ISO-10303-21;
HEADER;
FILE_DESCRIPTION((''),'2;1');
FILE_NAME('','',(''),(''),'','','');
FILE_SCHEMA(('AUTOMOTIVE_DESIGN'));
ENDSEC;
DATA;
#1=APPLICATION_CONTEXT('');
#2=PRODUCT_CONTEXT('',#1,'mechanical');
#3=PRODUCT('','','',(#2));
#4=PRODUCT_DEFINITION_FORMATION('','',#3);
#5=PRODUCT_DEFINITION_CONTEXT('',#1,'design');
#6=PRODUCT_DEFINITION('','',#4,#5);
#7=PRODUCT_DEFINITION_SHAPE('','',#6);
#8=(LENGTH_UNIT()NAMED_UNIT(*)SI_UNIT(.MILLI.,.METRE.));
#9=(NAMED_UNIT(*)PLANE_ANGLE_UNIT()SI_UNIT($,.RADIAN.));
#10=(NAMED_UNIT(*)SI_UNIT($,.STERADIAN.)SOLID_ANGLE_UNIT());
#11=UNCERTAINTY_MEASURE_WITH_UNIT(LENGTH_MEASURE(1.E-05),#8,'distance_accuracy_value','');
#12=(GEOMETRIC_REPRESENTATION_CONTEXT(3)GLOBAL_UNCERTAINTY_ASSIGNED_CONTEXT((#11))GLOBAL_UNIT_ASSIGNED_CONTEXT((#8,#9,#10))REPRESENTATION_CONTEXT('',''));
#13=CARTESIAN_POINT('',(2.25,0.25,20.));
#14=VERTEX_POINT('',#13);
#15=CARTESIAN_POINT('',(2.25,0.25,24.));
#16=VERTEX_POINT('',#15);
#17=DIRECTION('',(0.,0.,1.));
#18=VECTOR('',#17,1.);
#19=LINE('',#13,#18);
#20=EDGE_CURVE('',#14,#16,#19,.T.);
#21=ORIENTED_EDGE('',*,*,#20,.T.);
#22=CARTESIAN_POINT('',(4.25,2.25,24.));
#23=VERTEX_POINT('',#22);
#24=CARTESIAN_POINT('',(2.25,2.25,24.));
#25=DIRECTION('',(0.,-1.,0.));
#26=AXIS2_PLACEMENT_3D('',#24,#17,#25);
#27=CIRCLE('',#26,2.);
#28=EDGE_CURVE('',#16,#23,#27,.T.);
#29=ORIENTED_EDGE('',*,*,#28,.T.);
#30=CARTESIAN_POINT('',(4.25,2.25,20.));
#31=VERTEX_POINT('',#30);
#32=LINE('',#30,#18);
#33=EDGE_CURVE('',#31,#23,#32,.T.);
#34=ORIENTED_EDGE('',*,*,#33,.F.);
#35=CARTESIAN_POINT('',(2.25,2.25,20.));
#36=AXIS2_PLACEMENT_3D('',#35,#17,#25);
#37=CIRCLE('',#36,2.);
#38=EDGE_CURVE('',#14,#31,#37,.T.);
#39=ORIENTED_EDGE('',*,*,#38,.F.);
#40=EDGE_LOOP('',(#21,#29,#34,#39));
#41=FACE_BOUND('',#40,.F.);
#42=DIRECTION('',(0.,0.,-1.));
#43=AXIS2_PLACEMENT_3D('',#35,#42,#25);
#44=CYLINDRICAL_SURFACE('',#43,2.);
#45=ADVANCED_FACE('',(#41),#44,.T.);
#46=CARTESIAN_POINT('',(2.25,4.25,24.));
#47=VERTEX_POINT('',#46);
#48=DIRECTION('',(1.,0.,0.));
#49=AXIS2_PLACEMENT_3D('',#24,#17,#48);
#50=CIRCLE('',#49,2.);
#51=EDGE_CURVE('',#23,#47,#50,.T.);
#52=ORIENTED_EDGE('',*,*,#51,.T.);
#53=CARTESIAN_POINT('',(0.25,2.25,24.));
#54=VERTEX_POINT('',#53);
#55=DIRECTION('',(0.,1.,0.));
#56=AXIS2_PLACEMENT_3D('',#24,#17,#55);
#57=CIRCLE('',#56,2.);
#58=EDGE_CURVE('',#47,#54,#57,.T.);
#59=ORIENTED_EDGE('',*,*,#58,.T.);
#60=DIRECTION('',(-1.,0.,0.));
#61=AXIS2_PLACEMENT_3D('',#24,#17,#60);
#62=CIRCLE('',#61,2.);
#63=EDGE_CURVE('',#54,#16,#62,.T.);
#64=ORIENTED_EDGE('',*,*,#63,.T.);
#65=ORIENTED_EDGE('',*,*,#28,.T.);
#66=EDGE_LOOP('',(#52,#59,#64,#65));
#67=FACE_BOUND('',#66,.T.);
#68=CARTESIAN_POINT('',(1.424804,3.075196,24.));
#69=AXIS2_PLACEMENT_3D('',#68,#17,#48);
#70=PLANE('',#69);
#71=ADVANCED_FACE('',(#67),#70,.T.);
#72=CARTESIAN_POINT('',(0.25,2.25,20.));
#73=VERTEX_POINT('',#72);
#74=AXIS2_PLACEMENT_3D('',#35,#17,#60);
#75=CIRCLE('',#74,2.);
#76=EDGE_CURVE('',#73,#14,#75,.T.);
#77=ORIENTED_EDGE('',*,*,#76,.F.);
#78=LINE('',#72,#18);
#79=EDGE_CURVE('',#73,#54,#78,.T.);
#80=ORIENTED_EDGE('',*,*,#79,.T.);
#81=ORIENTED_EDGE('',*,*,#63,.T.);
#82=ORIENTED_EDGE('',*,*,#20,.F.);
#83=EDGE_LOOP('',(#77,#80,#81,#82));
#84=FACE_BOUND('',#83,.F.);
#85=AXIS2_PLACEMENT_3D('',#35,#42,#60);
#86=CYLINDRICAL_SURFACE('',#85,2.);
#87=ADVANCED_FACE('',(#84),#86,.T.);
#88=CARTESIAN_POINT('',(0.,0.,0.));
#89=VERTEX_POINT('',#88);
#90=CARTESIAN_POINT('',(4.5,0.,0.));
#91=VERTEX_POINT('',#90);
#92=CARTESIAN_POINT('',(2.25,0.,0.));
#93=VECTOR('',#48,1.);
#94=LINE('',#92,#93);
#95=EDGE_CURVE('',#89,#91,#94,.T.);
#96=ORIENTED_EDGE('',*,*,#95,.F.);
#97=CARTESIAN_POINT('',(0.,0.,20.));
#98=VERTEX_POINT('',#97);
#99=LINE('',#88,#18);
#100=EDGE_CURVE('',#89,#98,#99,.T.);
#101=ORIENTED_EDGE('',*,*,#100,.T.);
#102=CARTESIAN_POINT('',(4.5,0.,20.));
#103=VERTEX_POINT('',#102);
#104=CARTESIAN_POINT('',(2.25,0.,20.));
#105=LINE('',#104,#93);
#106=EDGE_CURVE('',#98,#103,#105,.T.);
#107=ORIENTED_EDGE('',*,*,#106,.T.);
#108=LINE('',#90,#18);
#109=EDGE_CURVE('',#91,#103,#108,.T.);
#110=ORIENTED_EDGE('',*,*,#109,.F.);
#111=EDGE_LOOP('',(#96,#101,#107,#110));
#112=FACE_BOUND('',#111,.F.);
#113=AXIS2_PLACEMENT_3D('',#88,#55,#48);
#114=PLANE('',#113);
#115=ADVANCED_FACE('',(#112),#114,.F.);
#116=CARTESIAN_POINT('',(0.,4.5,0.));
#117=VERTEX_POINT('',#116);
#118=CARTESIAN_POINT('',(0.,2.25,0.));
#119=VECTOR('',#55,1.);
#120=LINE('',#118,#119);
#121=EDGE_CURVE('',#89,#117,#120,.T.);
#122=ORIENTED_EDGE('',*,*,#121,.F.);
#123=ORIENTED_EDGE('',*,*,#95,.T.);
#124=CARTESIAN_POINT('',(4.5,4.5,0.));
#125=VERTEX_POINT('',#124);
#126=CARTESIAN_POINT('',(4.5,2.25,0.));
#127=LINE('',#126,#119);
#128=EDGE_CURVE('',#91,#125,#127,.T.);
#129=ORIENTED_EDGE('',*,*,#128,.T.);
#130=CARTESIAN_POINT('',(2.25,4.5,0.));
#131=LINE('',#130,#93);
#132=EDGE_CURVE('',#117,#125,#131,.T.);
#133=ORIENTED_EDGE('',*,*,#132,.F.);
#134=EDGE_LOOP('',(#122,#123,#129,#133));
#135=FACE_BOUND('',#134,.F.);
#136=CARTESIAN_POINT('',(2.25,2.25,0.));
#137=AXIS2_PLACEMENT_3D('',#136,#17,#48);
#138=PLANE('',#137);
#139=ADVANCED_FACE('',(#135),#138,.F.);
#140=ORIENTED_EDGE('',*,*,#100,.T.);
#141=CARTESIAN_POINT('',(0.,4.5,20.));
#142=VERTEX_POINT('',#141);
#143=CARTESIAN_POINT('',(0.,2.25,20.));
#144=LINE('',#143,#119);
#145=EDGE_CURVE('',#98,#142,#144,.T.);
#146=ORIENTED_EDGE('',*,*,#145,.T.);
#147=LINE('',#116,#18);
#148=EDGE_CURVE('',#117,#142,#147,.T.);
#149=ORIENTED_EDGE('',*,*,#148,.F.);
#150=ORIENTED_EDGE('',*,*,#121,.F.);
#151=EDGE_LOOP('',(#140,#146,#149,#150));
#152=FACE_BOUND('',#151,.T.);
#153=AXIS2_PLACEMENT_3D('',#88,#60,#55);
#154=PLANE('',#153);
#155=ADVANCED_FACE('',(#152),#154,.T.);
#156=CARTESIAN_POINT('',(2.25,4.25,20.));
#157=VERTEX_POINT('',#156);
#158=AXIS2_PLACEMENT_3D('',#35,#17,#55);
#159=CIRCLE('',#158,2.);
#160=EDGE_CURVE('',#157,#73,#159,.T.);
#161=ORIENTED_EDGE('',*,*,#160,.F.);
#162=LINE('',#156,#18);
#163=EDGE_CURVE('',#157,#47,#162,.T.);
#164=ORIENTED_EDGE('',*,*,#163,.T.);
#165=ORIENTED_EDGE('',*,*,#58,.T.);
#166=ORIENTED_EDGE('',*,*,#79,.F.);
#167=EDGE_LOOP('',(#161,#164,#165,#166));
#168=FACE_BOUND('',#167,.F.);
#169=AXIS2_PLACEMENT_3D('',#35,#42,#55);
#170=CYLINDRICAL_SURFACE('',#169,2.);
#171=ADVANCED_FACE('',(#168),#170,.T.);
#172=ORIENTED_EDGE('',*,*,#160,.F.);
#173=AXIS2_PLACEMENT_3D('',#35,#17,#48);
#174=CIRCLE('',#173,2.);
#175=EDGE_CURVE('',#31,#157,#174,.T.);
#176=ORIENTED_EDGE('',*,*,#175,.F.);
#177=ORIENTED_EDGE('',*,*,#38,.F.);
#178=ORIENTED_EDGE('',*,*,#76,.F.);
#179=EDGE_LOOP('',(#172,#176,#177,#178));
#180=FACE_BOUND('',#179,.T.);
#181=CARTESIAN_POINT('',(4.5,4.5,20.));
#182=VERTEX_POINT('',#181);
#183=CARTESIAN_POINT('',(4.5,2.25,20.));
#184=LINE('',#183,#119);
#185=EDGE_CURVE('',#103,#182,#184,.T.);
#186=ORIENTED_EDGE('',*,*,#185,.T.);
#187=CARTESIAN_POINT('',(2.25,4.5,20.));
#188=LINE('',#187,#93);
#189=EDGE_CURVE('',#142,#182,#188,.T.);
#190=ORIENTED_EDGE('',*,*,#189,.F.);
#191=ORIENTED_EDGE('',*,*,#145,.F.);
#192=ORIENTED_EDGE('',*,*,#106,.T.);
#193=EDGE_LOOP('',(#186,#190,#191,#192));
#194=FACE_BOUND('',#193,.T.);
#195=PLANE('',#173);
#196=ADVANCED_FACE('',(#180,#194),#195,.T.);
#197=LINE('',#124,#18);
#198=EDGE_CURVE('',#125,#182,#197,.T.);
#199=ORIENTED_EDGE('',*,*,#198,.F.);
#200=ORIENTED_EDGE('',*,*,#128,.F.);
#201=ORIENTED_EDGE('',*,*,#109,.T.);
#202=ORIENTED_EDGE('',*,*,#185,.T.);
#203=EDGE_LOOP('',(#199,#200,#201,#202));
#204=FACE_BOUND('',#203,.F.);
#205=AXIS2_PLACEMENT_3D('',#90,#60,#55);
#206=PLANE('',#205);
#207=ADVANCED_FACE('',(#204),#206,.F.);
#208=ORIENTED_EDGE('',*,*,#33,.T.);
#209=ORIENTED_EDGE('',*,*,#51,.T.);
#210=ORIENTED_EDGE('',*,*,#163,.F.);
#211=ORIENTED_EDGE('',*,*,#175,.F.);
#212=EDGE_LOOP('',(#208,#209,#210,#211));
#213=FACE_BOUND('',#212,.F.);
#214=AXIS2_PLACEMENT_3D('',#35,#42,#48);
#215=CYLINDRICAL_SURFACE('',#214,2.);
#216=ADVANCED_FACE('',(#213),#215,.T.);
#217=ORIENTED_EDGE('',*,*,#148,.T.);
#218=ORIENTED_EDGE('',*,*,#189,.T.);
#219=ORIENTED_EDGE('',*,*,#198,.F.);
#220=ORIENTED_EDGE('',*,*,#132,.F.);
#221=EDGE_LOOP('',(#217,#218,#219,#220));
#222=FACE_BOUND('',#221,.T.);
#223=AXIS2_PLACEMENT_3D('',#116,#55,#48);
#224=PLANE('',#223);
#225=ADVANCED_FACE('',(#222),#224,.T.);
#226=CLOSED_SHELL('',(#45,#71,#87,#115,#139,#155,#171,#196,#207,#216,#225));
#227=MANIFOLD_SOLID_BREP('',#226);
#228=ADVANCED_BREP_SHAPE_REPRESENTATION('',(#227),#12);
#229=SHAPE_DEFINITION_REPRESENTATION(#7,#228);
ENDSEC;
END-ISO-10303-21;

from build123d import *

# Parameters (mm, degrees)
F0_W     = 4.5
F0_H     = 4.5
F1_DEPTH = 20
F3_DEPTH = 4


with BuildPart() as f1:
    # F0 (on Top) → F1 (new body)
    with BuildSketch(Plane.XY):
        with Locations((2.25, 2.25)):
            Rectangle(F0_W, F0_H)
    extrude(amount=F1_DEPTH)

    # F2 (on face) → F3 (join)
    with BuildSketch(Plane.XY.offset(20)):
        with BuildLine():
            Line((0.25, 2.25), (2.25, 2.25))
            Line((2.25, 2.25), (2.25, 4.25))
            ThreePointArc((2.25, 4.25), (0.8357864376, 3.6642135624), (0.25, 2.25))
        make_face()
        with BuildLine():
            Line((2.25, 2.25), (4.25, 2.25))
            ThreePointArc((4.25, 2.25), (3.6642135624, 3.6642135624), (2.25, 4.25))
            Line((2.25, 4.25), (2.25, 2.25))
        make_face()
        with BuildLine():
            ThreePointArc((2.25, 0.25), (3.6642135624, 0.8357864376), (4.25, 2.25))
            Line((4.25, 2.25), (2.25, 2.25))
            Line((2.25, 2.25), (2.25, 0.25))
        make_face()
        with BuildLine():
            Line((2.25, 0.25), (2.25, 2.25))
            Line((2.25, 2.25), (0.25, 2.25))
            ThreePointArc((0.25, 2.25), (0.8357864376, 0.8357864376), (2.25, 0.25))
        make_face()
    extrude(amount=F3_DEPTH)


solid = f1.part
